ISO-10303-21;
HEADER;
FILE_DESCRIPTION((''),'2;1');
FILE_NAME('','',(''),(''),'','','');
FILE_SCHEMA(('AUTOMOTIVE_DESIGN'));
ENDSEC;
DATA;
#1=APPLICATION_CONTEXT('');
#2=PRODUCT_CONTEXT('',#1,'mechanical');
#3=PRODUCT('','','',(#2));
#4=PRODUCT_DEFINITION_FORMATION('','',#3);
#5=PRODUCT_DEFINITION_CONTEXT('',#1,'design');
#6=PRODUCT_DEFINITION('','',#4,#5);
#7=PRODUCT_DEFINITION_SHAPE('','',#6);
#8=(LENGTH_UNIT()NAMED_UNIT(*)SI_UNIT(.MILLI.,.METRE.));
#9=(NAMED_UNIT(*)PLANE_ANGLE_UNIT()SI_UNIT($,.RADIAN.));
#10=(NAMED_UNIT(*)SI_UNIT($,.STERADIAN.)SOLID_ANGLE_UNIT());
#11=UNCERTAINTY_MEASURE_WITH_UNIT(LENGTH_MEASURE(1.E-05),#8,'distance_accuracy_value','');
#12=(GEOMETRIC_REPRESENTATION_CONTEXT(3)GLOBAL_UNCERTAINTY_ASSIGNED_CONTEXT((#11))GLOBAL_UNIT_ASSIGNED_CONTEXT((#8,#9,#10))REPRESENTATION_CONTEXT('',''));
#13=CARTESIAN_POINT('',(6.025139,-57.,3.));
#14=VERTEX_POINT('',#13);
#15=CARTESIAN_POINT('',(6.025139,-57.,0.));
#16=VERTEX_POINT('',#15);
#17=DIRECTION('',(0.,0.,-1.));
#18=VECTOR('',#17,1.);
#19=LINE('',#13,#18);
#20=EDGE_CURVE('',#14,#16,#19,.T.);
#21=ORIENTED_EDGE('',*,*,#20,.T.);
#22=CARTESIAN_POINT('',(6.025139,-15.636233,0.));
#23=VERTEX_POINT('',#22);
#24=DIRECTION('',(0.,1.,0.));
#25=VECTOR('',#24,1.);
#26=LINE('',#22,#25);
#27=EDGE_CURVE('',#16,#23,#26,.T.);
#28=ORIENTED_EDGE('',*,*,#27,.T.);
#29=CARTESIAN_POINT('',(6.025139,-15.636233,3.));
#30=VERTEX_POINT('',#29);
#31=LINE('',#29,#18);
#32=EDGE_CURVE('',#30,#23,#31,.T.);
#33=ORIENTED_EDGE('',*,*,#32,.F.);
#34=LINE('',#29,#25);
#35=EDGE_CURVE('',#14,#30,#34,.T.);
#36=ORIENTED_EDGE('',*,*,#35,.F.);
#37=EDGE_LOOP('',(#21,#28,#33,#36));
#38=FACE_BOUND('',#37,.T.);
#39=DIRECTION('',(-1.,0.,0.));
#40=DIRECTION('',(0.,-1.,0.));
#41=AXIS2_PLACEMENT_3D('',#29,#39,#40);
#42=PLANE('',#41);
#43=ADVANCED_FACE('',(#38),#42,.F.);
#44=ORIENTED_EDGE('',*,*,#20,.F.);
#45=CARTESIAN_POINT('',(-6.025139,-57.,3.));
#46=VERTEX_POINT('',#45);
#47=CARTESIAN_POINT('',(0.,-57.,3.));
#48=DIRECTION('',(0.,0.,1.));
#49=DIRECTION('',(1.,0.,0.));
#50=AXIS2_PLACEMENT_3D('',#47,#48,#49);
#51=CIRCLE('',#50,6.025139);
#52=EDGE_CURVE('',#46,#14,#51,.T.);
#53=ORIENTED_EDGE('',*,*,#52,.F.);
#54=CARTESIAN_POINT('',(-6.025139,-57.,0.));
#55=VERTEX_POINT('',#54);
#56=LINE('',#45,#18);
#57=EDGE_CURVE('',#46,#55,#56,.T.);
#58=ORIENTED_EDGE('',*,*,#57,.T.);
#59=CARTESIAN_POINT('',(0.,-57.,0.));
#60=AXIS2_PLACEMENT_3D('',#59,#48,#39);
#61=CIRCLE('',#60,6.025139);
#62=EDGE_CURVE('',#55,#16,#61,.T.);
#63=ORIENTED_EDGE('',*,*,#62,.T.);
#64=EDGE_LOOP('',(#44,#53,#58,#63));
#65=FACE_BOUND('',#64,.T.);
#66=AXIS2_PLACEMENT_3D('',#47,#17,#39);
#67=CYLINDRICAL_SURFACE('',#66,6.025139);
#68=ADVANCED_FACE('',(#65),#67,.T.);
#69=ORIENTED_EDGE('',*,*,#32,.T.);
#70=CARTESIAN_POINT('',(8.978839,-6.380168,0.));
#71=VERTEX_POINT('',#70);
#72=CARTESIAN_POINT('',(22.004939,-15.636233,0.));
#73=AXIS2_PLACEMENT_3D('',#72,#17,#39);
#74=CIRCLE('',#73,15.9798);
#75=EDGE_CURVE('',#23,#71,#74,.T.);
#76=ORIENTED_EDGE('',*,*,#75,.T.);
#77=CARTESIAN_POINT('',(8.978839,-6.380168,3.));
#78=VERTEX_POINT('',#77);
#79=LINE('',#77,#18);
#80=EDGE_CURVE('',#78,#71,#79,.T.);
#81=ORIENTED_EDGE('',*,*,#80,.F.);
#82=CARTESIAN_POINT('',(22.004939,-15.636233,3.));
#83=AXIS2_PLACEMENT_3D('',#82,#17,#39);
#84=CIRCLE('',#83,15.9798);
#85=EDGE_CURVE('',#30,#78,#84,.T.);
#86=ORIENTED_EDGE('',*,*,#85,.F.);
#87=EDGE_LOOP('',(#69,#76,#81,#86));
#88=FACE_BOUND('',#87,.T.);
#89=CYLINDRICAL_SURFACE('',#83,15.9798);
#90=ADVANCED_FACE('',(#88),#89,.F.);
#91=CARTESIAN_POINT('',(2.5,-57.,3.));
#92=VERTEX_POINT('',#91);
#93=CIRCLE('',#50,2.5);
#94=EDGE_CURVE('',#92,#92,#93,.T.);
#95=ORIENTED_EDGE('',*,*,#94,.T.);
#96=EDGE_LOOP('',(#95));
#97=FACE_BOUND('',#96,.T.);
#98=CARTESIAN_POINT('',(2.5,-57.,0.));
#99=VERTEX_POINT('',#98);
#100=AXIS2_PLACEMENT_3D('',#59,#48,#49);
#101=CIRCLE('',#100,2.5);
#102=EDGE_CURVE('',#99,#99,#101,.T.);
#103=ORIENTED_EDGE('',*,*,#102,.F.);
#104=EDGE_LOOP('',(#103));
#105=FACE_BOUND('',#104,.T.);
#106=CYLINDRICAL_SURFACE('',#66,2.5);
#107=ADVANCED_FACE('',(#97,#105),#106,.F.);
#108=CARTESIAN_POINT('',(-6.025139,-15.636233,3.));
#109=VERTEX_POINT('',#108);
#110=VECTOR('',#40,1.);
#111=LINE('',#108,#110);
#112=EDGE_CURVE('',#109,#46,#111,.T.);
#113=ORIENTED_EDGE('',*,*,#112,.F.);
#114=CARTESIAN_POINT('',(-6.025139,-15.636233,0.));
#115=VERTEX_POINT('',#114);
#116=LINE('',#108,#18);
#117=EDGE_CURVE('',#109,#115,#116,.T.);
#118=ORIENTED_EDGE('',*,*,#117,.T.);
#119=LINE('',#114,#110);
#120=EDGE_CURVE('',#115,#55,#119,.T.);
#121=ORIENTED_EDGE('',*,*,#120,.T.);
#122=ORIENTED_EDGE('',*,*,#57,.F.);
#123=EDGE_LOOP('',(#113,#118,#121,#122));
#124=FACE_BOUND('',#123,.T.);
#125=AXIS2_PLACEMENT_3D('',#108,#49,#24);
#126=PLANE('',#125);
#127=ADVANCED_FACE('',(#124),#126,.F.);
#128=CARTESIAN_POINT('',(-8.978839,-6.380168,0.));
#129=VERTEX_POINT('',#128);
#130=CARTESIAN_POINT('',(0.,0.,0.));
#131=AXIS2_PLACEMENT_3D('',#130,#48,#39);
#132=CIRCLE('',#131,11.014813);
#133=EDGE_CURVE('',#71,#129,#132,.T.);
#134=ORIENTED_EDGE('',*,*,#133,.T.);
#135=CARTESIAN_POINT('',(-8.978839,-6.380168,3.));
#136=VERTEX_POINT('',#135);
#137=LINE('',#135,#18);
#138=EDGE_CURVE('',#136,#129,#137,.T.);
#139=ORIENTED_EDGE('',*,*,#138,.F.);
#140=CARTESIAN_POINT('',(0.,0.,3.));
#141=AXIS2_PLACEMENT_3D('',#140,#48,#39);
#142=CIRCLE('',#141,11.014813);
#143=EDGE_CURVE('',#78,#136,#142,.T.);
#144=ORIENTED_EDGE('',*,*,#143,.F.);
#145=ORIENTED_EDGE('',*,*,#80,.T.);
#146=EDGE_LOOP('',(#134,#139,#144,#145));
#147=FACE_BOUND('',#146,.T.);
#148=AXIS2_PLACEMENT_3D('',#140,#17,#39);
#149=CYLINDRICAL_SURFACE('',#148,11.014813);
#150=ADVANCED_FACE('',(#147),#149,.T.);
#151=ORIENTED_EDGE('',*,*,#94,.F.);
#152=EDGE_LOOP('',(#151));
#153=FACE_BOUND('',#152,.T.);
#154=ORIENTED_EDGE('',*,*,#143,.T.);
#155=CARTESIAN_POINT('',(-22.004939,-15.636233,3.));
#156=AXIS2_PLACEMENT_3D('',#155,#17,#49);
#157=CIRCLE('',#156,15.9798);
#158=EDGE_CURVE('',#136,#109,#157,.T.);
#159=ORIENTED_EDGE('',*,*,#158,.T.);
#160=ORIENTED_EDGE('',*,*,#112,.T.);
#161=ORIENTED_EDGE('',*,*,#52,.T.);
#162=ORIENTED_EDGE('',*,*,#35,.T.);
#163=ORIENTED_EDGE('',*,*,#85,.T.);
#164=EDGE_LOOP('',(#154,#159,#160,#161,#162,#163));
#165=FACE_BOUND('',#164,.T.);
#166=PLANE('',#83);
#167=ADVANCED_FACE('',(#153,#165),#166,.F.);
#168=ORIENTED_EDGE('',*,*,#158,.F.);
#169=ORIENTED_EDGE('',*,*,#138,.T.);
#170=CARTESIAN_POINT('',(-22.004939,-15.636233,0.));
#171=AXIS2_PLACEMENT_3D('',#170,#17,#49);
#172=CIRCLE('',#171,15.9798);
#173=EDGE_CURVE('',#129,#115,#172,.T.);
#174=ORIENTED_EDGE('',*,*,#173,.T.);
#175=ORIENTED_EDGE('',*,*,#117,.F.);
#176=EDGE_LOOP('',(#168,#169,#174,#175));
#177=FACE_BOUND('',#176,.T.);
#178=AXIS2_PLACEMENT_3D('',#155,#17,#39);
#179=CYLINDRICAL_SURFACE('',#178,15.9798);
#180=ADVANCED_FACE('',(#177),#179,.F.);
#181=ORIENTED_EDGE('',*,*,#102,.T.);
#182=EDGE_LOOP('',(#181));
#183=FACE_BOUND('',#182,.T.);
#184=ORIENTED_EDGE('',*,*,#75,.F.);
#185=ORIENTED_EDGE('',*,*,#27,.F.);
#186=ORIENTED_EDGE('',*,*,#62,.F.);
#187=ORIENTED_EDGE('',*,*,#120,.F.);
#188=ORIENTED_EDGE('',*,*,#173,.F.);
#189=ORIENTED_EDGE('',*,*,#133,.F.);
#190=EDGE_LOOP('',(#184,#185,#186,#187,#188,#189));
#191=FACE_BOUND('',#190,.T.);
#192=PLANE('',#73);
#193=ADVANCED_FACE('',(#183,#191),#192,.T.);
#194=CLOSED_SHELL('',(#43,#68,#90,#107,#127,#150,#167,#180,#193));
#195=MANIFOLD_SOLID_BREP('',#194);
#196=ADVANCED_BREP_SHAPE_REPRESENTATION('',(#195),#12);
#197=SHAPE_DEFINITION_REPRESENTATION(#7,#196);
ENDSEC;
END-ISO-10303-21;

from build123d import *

# Parameters (mm, degrees)
SKETCH1_R           = 2.5
BOSS_EXTRUDE1_DEPTH = 3


with BuildPart() as part:
    # Sketch1 → Boss-Extrude1 (new body)
    with BuildSketch(Plane.XY):
        with BuildLine():
            Line((6.025139131, -15.636232903), (6.025139131, -57))
            ThreePointArc((6.025139131, -57), (4.260416737, -61.260416737), (0, -63.025139131))
            ThreePointArc((0, -63.025139131), (-4.260416737, -61.260416737), (-6.025139131, -57))
            Line((-6.025139131, -57), (-6.025139131, -15.636232903))
            ThreePointArc((-6.025139131, -15.636232903), (-6.781462516, -10.778273635), (-8.978839155, -6.380168449))
            ThreePointArc((-8.978839155, -6.380168449), (0, 11.014812844), (8.978839155, -6.380168449))
            ThreePointArc((8.978839155, -6.380168449), (6.781462516, -10.778273635), (6.025139131, -15.636232903))
        make_face()
        with Locations((0, -57)):
            Circle(SKETCH1_R, mode=Mode.SUBTRACT)
    extrude(amount=BOSS_EXTRUDE1_DEPTH)


solid = part.part
